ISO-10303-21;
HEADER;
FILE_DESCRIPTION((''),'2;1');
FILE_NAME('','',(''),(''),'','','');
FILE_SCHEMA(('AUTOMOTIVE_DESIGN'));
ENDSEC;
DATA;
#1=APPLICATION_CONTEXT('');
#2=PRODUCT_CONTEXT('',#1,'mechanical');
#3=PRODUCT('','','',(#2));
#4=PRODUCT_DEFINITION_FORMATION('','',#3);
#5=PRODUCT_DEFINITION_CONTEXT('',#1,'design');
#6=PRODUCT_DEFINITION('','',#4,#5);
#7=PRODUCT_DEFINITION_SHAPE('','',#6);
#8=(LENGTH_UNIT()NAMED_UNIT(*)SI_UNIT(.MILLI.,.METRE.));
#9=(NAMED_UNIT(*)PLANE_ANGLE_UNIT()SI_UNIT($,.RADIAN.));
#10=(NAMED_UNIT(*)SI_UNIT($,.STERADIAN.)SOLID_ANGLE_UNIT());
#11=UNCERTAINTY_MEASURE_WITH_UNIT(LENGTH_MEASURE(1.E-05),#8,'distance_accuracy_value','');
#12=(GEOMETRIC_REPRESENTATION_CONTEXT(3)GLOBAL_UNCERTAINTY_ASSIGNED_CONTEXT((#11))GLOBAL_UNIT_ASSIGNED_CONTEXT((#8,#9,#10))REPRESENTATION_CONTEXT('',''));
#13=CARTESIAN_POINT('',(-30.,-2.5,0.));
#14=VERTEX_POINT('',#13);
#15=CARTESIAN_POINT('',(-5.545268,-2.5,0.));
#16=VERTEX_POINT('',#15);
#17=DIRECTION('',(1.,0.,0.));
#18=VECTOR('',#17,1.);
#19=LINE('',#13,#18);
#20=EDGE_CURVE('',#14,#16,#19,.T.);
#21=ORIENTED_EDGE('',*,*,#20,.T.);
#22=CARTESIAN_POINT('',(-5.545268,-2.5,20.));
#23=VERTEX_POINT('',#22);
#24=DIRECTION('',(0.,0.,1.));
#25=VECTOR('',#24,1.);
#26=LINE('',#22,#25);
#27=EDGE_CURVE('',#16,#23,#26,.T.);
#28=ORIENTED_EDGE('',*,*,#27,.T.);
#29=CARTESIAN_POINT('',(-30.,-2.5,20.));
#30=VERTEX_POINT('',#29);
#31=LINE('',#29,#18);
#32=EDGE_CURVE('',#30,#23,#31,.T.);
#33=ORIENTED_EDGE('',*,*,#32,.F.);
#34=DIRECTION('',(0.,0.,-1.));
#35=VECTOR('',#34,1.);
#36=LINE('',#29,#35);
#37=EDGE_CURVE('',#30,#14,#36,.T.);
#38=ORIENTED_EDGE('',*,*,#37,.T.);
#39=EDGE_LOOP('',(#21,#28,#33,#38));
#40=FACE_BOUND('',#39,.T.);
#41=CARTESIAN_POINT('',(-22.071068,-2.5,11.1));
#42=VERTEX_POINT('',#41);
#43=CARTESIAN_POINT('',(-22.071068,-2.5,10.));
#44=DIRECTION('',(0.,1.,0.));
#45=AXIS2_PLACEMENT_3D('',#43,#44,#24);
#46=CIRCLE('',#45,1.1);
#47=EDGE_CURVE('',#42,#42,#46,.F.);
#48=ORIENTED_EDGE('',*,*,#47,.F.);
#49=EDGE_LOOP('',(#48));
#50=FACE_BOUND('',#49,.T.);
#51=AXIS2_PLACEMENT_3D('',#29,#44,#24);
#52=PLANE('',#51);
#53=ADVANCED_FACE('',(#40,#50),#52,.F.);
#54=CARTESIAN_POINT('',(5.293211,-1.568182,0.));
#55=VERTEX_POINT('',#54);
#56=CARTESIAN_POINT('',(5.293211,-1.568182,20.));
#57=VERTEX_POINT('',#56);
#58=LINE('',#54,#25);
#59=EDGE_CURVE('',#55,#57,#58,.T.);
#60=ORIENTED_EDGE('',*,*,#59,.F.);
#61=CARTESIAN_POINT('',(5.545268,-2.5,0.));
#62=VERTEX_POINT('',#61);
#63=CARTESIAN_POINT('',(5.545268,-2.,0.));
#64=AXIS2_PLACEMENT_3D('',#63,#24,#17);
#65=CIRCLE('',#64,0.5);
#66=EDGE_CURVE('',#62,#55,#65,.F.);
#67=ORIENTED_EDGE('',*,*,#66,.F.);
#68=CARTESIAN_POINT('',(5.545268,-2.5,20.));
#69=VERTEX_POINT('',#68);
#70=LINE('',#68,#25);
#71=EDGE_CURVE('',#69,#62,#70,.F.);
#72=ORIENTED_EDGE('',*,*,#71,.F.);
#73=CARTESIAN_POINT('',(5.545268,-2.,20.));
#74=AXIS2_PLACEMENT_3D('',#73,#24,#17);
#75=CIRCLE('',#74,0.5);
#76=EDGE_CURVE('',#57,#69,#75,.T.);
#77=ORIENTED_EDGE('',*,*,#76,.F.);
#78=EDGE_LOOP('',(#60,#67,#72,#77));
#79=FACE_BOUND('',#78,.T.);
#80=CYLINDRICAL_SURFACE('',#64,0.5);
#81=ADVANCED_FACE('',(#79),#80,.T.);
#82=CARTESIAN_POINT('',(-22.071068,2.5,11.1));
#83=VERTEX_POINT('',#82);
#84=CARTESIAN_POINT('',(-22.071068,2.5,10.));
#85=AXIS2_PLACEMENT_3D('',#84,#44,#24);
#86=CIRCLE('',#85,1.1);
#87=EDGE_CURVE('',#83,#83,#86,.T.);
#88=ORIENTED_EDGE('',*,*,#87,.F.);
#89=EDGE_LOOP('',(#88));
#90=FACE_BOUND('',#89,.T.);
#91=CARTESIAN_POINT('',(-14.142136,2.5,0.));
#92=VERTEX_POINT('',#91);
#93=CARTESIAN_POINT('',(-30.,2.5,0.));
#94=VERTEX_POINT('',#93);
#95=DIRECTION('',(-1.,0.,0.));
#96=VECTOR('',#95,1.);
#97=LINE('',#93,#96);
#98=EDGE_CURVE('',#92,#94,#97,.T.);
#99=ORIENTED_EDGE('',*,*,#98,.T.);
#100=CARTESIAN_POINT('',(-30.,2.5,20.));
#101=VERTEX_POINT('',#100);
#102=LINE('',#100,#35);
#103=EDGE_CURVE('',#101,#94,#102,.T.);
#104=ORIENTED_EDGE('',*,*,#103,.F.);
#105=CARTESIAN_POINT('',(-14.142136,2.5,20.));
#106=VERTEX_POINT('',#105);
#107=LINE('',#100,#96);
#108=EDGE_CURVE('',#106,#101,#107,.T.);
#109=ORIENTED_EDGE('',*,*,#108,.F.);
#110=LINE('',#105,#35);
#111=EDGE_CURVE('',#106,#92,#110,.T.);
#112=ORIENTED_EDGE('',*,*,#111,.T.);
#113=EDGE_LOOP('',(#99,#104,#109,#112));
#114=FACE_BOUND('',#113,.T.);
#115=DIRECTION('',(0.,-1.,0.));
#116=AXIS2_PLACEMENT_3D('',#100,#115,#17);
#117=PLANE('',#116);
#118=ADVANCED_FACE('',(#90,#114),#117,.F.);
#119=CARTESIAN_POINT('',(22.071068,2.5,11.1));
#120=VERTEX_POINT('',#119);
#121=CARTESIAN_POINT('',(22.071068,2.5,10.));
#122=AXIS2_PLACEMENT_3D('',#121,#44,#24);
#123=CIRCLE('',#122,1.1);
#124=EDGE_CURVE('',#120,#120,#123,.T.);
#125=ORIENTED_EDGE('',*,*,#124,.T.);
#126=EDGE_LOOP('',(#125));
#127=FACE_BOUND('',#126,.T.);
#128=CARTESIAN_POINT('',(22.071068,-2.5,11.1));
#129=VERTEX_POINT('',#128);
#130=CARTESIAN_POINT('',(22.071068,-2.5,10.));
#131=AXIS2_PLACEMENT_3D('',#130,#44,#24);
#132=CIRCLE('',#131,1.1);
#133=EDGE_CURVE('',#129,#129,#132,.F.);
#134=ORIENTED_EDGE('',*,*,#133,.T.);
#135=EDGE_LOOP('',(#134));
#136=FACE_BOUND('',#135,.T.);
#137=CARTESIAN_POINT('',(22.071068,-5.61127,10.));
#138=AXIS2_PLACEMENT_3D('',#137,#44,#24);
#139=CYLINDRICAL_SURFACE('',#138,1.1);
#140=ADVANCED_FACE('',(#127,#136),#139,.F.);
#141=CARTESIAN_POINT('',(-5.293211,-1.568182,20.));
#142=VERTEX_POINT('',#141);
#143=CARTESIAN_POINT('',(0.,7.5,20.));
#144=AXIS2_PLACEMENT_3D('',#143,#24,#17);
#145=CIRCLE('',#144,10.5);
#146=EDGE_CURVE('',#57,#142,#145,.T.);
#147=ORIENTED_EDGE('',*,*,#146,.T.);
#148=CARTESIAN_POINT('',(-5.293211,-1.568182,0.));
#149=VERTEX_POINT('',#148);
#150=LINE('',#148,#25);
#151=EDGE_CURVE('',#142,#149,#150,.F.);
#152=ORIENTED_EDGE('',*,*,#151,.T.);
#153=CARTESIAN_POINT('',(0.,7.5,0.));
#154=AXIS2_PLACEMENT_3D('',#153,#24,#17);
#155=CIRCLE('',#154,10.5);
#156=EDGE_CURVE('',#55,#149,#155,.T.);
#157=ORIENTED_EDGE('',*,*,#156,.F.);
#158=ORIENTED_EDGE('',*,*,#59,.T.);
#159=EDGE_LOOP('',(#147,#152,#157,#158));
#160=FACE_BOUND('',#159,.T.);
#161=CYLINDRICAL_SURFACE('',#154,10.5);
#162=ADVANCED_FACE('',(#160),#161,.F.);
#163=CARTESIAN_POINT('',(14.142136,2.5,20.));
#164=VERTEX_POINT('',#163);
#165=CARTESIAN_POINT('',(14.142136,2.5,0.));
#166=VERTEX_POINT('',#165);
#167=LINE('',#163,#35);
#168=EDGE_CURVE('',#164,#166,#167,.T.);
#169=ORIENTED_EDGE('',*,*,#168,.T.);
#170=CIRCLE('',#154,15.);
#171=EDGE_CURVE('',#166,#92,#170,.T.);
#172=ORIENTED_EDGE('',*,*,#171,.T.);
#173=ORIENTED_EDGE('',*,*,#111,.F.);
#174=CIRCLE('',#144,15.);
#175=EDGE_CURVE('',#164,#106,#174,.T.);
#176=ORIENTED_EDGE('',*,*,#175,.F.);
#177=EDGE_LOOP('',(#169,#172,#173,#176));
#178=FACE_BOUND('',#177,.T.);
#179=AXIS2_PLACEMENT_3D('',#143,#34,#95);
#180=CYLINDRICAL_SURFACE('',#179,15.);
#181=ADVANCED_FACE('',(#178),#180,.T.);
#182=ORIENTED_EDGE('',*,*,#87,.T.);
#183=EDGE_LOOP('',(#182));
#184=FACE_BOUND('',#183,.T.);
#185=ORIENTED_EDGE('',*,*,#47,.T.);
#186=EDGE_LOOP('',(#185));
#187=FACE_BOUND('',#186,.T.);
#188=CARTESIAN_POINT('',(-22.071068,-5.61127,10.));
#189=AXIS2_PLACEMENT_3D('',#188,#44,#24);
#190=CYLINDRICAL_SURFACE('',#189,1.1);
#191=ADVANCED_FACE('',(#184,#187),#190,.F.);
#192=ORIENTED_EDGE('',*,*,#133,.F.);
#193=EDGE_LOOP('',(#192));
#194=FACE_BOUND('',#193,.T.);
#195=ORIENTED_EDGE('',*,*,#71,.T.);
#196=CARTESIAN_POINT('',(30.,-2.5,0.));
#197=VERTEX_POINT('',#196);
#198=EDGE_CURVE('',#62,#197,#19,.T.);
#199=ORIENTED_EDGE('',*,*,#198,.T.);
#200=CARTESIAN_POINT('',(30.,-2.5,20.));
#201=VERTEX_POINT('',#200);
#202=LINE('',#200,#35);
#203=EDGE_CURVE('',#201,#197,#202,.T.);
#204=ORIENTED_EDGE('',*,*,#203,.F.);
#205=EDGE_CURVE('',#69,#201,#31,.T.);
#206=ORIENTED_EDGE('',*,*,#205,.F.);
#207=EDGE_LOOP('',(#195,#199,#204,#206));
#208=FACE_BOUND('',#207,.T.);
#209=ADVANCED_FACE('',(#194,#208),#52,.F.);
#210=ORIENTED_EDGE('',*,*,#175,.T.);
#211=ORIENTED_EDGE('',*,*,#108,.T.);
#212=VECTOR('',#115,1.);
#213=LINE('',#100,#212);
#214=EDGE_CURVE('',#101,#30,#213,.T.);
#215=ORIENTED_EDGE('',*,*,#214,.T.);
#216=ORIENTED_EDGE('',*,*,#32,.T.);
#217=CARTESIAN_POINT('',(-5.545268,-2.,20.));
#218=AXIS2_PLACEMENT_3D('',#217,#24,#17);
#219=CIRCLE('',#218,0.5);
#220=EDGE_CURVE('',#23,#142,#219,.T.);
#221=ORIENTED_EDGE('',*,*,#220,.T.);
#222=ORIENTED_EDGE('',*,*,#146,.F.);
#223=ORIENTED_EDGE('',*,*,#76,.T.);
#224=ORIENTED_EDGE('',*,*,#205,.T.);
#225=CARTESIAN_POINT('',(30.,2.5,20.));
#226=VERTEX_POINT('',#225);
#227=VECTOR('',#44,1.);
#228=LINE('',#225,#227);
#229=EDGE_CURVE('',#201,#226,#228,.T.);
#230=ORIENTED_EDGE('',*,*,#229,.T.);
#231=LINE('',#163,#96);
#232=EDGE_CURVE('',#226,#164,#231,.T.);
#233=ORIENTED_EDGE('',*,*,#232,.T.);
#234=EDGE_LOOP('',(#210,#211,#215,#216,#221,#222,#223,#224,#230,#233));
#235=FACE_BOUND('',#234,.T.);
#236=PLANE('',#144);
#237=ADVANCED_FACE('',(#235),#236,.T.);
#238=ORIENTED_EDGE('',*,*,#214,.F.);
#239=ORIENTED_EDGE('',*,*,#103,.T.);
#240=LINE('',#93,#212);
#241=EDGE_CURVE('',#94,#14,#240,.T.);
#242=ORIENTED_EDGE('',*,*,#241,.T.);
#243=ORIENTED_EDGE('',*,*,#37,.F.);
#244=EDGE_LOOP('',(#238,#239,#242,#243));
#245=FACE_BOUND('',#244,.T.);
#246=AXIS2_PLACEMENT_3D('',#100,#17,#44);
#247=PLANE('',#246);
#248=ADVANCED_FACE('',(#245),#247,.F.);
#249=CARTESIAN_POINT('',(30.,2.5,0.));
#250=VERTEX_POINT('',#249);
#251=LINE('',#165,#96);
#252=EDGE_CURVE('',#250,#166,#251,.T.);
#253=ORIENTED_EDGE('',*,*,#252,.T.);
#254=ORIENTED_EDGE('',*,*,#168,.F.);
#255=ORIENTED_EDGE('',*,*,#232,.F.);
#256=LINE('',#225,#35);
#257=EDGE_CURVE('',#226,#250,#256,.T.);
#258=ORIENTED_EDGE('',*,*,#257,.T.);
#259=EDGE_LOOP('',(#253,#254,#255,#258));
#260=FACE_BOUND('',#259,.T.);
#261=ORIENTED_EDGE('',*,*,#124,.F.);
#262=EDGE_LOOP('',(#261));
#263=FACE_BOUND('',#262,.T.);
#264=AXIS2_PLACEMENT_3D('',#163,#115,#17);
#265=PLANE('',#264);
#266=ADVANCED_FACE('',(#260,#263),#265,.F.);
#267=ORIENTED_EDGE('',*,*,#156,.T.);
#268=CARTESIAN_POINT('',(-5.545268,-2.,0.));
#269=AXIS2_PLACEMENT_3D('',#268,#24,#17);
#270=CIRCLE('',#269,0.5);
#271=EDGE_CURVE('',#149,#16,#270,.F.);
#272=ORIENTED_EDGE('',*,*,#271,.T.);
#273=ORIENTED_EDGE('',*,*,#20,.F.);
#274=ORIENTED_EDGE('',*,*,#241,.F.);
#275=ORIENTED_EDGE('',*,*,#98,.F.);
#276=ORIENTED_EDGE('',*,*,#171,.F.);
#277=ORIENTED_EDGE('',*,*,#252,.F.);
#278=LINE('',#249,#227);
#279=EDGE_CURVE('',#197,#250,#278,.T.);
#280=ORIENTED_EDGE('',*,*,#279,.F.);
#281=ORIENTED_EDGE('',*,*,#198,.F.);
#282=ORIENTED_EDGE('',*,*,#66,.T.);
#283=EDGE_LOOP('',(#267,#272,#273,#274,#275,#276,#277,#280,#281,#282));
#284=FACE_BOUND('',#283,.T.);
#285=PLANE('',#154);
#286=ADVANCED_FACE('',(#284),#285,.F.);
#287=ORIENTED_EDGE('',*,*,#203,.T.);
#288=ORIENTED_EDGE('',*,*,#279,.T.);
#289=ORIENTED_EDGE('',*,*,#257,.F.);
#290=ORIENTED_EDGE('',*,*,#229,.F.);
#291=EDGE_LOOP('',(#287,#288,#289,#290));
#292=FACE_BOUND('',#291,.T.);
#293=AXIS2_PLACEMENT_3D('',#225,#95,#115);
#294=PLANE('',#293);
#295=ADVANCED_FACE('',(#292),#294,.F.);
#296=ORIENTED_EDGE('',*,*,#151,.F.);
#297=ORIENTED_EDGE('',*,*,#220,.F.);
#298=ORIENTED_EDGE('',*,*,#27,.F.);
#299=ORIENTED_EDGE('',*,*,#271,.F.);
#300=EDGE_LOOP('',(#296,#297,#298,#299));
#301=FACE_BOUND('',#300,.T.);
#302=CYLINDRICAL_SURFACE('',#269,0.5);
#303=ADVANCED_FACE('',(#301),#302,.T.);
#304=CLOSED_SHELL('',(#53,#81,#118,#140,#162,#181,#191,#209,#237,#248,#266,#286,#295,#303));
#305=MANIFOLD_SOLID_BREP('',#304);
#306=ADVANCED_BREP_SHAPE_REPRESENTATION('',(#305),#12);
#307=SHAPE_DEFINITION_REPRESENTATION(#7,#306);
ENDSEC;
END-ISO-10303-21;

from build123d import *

# Parameters (mm, degrees)
BOSS_EXTRUDE1_DEPTH = 20
SKETCH3_R           = 10.5
CUT_EXTRUDE1_DEPTH  = 43.5
SKETCH4_R           = 1.1
CUT_EXTRUDE2_DEPTH  = 5
FILLET1_R           = 0.5


with BuildPart() as part:
    # Sketch1 → Boss-Extrude1 (new body)
    with BuildSketch(Plane.XY):
        with BuildLine():
            Line((14.142135624, 2.5), (30, 2.5))
            Line((30, 2.5), (30, -2.5))
            Line((30, -2.5), (-30, -2.5))
            Line((-30, -2.5), (-30, 2.5))
            Line((-30, 2.5), (-14.142135624, 2.5))
            ThreePointArc((-14.142135624, 2.5), (0, 22.5), (14.142135624, 2.5))
        make_face()
    extrude(amount=BOSS_EXTRUDE1_DEPTH)

    # Sketch3 → Cut-Extrude1 (cut, through all)
    with BuildSketch(Plane.XY.offset(20)):
        with Locations((0, 7.5)):
            Circle(SKETCH3_R)
    extrude(amount=-CUT_EXTRUDE1_DEPTH, mode=Mode.SUBTRACT)

    # Sketch4 → Cut-Extrude2 (cut)
    with BuildSketch(Plane(origin=(0, 2.5, 0), x_dir=(1, 0, 0), z_dir=(0, 1, 0))):
        with Locations(Location((-22.071067812, -10, 0), (0, 0, 270))):
            Circle(SKETCH4_R)
        with Locations(Location((22.071067812, -10, 0), (0, 0, 270))):
            Circle(SKETCH4_R)
    extrude(amount=-CUT_EXTRUDE2_DEPTH, mode=Mode.SUBTRACT)

    # Fillet1
    fillet1_edges = [part.edges().sort_by_distance(p)[0] for p in [
        (-3.201562119, -2.5, 10),
        (3.201562119, -2.5, 10),
    ]]
    fillet(fillet1_edges, radius=FILLET1_R)


solid = part.part
